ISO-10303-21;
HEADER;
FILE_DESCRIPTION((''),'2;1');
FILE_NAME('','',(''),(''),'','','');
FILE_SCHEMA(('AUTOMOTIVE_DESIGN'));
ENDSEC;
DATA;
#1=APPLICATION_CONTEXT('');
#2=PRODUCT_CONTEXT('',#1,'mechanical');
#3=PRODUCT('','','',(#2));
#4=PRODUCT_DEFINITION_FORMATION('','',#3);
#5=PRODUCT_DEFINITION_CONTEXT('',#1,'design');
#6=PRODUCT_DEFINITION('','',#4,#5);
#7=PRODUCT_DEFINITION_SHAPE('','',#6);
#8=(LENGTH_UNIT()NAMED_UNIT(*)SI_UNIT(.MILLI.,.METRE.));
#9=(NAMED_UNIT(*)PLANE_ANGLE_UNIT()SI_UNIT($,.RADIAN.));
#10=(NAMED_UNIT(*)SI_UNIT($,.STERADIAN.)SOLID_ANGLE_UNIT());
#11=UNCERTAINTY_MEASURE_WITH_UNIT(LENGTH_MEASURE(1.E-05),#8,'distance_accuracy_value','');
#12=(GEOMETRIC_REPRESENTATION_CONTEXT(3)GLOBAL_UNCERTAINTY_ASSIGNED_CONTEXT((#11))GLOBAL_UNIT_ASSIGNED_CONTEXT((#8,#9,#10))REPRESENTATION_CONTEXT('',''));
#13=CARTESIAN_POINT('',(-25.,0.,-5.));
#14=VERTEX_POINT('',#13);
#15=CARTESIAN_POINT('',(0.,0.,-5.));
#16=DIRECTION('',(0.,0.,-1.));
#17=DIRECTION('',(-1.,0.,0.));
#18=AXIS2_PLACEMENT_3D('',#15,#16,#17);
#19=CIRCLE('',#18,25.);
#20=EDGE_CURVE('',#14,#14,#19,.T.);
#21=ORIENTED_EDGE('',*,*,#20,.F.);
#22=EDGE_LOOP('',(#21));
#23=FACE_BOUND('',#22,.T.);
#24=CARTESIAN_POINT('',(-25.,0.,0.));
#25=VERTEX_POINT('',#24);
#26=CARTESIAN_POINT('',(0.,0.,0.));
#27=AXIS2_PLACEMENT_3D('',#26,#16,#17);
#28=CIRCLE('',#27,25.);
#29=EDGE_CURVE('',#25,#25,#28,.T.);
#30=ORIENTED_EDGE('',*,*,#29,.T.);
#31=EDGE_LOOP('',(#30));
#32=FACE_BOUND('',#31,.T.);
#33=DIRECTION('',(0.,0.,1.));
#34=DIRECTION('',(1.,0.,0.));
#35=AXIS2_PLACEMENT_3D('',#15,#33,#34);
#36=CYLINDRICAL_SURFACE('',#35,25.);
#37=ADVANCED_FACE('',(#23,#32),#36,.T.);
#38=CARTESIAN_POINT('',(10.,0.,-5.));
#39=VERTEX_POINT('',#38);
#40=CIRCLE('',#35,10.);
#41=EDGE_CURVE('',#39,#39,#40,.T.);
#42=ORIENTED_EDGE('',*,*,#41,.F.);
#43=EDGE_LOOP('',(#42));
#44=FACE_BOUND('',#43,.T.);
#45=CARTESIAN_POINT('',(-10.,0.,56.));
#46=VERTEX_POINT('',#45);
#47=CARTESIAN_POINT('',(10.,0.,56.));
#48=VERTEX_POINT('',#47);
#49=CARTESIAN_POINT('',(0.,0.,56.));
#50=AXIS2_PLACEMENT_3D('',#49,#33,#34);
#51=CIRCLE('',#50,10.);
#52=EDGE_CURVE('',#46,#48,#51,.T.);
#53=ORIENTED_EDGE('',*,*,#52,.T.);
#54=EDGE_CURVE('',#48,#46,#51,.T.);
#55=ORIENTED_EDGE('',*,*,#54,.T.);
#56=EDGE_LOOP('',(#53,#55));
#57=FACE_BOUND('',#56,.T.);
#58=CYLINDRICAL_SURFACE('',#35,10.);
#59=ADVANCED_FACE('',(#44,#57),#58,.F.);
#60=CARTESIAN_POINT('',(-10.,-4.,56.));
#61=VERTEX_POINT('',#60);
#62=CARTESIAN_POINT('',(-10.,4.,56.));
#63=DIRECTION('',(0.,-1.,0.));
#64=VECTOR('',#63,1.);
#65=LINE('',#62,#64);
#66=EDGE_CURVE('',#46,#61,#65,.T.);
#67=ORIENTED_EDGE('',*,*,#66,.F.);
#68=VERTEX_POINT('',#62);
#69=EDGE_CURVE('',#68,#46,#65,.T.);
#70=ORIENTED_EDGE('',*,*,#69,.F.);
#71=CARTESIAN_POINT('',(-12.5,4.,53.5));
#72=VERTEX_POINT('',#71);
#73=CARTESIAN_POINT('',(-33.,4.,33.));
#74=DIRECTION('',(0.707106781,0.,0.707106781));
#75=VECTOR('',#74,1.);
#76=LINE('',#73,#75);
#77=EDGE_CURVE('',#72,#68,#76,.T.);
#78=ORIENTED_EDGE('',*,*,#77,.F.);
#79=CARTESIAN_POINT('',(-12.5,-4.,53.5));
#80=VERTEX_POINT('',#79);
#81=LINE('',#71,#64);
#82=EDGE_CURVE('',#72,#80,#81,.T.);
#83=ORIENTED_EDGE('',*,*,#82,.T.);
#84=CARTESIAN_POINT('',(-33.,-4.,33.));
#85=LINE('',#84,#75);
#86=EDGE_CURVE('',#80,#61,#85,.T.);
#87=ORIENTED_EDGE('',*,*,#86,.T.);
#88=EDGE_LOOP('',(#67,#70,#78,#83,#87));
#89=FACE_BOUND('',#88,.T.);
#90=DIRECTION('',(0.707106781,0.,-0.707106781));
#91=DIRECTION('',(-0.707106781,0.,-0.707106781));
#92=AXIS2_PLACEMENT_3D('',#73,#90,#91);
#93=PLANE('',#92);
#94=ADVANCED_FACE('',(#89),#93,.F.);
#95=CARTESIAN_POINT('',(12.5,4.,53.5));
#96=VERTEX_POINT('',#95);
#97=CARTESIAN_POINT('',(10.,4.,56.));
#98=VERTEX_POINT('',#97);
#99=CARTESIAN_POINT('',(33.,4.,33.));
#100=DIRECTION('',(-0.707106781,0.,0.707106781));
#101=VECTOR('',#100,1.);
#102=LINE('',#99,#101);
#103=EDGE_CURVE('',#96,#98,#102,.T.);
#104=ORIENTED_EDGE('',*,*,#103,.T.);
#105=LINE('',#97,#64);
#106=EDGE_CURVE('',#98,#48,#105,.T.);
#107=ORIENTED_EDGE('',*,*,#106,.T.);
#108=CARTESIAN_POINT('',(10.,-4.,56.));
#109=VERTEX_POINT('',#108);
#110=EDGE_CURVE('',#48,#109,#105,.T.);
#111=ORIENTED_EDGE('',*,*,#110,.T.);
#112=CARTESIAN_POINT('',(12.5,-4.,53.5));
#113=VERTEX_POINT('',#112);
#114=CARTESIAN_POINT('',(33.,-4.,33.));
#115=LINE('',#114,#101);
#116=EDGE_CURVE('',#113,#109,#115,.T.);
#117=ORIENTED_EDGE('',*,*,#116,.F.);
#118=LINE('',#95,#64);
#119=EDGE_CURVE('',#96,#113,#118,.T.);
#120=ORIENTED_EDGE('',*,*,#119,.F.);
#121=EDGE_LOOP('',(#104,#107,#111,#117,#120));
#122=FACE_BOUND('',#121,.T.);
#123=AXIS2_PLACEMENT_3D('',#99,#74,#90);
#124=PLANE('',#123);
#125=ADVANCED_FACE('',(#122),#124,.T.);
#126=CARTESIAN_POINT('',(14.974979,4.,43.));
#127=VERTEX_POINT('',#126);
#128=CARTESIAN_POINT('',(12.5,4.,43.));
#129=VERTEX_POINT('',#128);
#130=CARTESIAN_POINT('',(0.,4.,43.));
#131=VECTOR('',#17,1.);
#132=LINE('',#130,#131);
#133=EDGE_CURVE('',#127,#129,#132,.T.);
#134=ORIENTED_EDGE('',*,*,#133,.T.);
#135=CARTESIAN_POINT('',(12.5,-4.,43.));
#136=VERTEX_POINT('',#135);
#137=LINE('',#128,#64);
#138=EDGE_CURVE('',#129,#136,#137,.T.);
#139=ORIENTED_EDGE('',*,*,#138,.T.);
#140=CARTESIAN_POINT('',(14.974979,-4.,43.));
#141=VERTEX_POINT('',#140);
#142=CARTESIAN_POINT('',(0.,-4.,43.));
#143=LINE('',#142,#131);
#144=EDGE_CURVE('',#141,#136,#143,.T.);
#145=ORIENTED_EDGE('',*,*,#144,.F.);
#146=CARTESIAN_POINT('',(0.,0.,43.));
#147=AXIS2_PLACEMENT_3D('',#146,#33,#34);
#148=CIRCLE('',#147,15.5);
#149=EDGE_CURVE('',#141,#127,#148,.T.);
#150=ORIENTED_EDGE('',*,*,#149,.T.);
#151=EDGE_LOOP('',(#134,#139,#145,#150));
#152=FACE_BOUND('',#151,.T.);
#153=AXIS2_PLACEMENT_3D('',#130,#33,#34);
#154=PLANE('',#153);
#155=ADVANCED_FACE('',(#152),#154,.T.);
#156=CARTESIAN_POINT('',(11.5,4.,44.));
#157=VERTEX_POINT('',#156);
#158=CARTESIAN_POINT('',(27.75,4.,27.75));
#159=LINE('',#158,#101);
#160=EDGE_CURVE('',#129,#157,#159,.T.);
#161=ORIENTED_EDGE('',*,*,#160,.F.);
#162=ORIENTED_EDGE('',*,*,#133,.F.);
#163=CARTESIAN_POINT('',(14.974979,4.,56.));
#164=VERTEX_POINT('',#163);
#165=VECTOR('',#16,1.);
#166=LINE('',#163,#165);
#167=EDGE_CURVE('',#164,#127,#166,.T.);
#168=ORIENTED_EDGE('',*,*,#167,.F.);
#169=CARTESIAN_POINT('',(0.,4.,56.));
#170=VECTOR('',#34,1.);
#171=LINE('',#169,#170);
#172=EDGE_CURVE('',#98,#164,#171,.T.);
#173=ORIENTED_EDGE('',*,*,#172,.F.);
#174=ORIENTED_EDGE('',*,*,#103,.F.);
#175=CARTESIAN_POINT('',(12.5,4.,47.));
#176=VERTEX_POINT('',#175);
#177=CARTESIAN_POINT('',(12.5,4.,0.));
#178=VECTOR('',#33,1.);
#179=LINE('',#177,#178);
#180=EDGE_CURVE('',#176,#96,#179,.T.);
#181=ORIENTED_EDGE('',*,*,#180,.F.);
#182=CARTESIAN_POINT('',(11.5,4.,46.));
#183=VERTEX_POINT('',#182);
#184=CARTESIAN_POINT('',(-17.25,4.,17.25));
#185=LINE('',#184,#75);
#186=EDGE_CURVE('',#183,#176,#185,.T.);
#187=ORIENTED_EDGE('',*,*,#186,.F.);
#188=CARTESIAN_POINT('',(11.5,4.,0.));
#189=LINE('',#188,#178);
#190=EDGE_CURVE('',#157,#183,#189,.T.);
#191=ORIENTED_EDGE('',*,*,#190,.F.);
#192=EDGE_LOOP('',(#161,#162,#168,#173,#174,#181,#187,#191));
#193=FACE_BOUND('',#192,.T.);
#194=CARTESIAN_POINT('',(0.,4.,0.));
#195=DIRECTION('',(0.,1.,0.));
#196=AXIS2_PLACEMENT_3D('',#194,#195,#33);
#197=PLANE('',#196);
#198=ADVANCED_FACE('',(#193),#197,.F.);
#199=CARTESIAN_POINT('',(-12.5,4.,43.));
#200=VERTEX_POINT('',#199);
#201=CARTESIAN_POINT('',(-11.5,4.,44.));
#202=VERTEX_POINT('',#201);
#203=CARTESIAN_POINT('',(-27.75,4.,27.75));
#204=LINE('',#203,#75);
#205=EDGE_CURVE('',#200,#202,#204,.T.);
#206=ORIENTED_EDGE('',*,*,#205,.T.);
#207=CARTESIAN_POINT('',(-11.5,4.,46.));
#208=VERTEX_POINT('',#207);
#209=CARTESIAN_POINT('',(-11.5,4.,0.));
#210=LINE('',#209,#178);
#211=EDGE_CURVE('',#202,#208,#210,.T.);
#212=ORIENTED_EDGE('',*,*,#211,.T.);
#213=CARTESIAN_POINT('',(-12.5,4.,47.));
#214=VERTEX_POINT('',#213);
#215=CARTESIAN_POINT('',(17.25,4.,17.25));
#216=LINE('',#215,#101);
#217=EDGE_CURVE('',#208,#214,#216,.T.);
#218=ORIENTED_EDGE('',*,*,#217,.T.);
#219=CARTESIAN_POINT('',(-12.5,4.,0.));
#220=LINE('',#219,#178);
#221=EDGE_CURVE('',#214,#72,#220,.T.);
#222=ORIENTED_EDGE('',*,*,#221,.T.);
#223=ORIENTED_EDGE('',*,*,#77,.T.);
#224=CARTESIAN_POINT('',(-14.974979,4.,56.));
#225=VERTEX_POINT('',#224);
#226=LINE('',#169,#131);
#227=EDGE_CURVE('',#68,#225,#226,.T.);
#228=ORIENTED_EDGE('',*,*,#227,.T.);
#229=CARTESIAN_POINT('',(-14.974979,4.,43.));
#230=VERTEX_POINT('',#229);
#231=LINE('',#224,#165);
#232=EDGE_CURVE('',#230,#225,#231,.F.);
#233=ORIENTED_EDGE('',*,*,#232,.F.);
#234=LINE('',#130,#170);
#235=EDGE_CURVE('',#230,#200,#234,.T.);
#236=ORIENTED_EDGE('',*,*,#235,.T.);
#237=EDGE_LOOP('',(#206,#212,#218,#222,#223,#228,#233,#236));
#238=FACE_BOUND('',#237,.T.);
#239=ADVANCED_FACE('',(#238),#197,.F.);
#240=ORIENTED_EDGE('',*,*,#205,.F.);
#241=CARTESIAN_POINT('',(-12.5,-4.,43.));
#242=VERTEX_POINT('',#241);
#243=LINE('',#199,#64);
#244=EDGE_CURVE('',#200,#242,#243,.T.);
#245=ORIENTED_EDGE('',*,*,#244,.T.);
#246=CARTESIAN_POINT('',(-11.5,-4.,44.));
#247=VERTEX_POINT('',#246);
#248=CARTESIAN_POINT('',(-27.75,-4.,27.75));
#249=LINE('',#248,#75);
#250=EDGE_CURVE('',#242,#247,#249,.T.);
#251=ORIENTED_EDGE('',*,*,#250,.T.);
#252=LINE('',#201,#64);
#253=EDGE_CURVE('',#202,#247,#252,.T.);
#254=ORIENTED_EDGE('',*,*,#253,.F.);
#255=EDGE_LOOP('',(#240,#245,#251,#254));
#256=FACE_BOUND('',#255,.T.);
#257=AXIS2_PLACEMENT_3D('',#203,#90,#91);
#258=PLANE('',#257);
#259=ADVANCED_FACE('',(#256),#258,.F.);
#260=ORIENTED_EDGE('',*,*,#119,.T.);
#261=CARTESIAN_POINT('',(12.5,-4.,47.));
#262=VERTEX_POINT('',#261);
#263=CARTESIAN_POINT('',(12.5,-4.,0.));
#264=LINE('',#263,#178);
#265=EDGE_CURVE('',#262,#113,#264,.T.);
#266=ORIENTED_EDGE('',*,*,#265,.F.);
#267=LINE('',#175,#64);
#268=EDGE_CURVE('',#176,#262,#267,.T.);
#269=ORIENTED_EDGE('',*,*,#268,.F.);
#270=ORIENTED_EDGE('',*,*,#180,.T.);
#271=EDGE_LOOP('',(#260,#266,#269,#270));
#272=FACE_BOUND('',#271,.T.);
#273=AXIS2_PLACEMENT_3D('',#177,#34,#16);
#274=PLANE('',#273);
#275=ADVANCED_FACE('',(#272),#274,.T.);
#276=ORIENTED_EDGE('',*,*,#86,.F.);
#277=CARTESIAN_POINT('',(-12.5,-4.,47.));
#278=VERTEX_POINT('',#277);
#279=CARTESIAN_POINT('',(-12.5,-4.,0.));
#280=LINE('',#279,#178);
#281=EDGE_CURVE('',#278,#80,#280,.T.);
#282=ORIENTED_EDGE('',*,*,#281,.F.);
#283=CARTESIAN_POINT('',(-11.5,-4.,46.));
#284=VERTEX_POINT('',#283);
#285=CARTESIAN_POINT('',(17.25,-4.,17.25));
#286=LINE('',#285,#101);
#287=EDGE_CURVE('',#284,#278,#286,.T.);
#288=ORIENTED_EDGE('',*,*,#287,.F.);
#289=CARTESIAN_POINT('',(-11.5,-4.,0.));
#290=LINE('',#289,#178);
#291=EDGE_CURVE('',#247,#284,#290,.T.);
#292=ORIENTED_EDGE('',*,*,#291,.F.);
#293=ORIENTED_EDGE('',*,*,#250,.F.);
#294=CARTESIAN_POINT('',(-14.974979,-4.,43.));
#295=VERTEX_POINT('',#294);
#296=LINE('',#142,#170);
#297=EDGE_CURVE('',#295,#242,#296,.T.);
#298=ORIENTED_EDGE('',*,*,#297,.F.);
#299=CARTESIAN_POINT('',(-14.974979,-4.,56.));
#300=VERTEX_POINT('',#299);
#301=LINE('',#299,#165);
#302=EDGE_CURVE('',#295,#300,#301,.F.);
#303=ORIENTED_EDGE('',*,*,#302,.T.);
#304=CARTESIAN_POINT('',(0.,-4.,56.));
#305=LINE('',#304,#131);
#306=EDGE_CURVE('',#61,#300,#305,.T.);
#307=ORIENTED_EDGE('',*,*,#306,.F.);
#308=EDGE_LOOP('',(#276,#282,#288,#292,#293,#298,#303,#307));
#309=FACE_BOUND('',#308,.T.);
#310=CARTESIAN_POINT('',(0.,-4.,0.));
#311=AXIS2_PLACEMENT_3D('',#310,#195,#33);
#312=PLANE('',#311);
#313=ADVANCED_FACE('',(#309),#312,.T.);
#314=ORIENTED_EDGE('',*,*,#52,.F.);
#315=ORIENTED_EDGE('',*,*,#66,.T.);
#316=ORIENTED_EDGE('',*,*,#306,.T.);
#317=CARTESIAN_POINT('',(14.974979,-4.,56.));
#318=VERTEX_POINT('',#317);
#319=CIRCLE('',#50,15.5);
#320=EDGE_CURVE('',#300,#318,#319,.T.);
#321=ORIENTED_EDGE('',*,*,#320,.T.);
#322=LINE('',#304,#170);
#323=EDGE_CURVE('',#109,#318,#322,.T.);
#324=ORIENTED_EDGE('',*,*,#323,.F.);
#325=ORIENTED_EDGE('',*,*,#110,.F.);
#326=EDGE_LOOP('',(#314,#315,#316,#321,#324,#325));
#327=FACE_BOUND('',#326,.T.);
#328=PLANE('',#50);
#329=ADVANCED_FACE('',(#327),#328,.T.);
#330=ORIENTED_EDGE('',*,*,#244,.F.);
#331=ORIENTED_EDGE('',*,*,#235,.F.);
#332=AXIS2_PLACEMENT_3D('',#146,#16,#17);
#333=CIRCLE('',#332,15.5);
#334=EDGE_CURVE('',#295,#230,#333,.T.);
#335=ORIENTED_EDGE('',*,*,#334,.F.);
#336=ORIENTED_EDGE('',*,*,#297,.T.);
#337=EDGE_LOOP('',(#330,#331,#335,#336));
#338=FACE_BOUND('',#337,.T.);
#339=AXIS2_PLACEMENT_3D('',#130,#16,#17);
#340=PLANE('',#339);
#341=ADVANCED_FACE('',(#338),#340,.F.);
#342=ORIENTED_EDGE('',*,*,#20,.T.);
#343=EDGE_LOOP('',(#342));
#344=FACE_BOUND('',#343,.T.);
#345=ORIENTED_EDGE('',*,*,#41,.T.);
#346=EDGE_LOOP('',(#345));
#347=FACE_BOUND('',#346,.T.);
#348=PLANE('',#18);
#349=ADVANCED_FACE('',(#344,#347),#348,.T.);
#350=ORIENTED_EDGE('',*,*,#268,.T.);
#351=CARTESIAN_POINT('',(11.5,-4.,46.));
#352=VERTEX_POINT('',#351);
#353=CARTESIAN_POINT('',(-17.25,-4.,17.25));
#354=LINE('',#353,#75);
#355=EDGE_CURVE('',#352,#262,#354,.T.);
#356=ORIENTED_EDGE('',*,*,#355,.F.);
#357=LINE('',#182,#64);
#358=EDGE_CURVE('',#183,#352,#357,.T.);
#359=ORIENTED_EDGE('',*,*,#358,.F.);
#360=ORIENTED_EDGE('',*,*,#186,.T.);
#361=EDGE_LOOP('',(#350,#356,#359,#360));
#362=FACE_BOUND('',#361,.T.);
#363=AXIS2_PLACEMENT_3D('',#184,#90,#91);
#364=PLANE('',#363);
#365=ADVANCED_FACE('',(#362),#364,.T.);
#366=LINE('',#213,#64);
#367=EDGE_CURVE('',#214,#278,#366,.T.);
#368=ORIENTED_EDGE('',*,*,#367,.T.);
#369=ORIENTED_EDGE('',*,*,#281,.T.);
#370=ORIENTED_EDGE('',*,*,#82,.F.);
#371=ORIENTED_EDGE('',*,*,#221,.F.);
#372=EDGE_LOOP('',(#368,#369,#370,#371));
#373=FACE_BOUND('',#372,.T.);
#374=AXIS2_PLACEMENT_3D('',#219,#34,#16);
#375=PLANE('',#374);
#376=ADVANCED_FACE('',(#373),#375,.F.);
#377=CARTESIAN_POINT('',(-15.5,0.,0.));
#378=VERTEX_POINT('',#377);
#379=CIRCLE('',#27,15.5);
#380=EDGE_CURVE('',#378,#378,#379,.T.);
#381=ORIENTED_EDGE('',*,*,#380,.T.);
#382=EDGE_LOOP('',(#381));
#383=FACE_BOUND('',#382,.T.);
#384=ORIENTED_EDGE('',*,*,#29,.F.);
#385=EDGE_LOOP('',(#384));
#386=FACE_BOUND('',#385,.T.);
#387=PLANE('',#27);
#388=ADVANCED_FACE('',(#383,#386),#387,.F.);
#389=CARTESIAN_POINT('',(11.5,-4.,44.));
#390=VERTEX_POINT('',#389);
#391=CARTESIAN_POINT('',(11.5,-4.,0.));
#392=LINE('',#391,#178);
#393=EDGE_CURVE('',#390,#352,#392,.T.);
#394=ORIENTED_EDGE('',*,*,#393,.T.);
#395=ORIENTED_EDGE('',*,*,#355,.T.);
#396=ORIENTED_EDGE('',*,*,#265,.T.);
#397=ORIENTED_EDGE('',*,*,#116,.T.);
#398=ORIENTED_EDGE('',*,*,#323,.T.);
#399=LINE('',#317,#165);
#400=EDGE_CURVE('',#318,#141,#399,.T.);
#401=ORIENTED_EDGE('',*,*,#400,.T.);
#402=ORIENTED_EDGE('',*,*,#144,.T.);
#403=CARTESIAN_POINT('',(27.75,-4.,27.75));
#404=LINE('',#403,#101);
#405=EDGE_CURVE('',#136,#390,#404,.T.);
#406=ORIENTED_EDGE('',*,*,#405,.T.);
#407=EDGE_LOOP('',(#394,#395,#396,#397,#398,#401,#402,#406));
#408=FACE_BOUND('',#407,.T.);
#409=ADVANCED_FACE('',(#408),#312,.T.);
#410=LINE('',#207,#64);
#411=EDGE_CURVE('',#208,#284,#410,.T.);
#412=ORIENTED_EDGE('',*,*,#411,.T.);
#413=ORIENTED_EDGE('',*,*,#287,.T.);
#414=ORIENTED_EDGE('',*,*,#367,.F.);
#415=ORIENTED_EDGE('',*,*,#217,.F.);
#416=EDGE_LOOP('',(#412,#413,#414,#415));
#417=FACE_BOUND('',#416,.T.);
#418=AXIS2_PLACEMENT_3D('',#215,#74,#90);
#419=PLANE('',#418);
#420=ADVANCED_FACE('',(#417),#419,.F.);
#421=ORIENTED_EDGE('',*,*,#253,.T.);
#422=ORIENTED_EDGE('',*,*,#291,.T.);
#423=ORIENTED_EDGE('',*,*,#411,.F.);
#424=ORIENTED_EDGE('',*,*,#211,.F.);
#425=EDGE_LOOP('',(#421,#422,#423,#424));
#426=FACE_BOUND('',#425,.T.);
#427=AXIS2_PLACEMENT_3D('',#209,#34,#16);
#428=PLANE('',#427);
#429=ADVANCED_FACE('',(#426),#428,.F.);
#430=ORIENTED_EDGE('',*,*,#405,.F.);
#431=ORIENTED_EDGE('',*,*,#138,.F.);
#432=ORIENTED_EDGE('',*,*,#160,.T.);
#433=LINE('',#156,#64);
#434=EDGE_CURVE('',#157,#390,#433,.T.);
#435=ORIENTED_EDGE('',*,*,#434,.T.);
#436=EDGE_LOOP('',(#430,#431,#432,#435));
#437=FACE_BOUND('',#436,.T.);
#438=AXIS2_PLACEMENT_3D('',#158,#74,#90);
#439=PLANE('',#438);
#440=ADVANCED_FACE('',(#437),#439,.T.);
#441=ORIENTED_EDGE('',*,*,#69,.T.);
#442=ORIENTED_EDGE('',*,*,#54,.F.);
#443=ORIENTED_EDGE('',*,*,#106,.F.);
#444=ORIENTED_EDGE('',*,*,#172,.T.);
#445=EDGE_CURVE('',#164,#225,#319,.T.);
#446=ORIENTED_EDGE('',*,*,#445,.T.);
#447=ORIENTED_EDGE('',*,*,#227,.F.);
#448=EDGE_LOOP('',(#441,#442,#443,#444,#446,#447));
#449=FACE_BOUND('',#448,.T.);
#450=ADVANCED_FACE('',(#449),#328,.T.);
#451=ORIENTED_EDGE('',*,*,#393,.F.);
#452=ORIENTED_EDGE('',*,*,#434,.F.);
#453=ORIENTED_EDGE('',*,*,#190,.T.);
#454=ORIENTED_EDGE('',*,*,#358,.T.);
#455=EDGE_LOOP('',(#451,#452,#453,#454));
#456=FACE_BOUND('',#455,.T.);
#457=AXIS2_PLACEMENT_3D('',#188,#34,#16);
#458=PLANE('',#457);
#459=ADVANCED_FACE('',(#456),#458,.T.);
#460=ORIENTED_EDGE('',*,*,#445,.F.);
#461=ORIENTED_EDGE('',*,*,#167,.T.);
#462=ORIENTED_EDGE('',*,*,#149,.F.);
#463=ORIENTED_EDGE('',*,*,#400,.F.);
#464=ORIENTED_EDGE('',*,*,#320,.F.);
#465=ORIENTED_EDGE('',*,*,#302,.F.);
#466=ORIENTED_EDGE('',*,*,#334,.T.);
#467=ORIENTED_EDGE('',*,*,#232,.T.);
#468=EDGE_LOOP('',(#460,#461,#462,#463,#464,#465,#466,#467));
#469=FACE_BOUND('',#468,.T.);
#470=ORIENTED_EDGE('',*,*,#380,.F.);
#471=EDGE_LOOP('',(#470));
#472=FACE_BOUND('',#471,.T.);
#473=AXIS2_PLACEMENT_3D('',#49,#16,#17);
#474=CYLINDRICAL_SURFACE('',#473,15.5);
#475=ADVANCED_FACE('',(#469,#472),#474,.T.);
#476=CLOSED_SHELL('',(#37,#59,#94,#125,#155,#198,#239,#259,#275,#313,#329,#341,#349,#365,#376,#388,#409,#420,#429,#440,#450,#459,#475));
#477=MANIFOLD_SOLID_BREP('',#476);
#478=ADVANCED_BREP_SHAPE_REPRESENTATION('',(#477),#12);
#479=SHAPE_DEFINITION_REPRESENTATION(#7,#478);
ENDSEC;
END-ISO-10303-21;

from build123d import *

# Parameters (mm, degrees)
SKETCH1_R           = 15.5
BOSS_EXTRUDE1_DEPTH = 56
SKETCH4_R           = 25
BOSS_EXTRUDE2_DEPTH = 5
SKETCH5_R           = 10
CUT_EXTRUDE1_DEPTH  = 71.505318948
CUT_EXTRUDE2_DEPTH  = 4


with BuildPart() as part:
    # Sketch1 → Boss-Extrude1 (new body)
    with BuildSketch(Plane.XY):
        Circle(SKETCH1_R)
    extrude(amount=BOSS_EXTRUDE1_DEPTH)

    # Sketch4 → Boss-Extrude2 (add)
    with BuildSketch(Plane(origin=(0, 0, 0), x_dir=(-1, 0, 0), z_dir=(0, 0, -1))):
        Circle(SKETCH4_R)
    extrude(amount=BOSS_EXTRUDE2_DEPTH)

    # Sketch5 → Cut-Extrude1 (cut, through all)
    with BuildSketch(Plane.XY.offset(56)):
        Circle(SKETCH5_R)
    extrude(amount=-CUT_EXTRUDE1_DEPTH, mode=Mode.SUBTRACT)

    # Sketch6 → Cut-Extrude2 (cut, symmetric)
    with BuildSketch(Plane(origin=(0, 0, 0), x_dir=(1, 0, 0), z_dir=(0, 1, 0))):
        Polygon((12.5, -53.5), (10, -56), (15.5, -56), (15.5, -43), (12.5, -43), (11.5, -44), (11.5, -46), (12.5, -47), align=None)
    cut_extrude2 = extrude(amount=CUT_EXTRUDE2_DEPTH, both=True, mode=Mode.SUBTRACT)

    # Mirror1: Cut-Extrude2 across plane
    add(cut_extrude2.mirror(Plane(origin=(0, 0, 0), x_dir=(0, 0, 1), z_dir=(1, 0, 0))), mode=Mode.SUBTRACT)


solid = part.part
